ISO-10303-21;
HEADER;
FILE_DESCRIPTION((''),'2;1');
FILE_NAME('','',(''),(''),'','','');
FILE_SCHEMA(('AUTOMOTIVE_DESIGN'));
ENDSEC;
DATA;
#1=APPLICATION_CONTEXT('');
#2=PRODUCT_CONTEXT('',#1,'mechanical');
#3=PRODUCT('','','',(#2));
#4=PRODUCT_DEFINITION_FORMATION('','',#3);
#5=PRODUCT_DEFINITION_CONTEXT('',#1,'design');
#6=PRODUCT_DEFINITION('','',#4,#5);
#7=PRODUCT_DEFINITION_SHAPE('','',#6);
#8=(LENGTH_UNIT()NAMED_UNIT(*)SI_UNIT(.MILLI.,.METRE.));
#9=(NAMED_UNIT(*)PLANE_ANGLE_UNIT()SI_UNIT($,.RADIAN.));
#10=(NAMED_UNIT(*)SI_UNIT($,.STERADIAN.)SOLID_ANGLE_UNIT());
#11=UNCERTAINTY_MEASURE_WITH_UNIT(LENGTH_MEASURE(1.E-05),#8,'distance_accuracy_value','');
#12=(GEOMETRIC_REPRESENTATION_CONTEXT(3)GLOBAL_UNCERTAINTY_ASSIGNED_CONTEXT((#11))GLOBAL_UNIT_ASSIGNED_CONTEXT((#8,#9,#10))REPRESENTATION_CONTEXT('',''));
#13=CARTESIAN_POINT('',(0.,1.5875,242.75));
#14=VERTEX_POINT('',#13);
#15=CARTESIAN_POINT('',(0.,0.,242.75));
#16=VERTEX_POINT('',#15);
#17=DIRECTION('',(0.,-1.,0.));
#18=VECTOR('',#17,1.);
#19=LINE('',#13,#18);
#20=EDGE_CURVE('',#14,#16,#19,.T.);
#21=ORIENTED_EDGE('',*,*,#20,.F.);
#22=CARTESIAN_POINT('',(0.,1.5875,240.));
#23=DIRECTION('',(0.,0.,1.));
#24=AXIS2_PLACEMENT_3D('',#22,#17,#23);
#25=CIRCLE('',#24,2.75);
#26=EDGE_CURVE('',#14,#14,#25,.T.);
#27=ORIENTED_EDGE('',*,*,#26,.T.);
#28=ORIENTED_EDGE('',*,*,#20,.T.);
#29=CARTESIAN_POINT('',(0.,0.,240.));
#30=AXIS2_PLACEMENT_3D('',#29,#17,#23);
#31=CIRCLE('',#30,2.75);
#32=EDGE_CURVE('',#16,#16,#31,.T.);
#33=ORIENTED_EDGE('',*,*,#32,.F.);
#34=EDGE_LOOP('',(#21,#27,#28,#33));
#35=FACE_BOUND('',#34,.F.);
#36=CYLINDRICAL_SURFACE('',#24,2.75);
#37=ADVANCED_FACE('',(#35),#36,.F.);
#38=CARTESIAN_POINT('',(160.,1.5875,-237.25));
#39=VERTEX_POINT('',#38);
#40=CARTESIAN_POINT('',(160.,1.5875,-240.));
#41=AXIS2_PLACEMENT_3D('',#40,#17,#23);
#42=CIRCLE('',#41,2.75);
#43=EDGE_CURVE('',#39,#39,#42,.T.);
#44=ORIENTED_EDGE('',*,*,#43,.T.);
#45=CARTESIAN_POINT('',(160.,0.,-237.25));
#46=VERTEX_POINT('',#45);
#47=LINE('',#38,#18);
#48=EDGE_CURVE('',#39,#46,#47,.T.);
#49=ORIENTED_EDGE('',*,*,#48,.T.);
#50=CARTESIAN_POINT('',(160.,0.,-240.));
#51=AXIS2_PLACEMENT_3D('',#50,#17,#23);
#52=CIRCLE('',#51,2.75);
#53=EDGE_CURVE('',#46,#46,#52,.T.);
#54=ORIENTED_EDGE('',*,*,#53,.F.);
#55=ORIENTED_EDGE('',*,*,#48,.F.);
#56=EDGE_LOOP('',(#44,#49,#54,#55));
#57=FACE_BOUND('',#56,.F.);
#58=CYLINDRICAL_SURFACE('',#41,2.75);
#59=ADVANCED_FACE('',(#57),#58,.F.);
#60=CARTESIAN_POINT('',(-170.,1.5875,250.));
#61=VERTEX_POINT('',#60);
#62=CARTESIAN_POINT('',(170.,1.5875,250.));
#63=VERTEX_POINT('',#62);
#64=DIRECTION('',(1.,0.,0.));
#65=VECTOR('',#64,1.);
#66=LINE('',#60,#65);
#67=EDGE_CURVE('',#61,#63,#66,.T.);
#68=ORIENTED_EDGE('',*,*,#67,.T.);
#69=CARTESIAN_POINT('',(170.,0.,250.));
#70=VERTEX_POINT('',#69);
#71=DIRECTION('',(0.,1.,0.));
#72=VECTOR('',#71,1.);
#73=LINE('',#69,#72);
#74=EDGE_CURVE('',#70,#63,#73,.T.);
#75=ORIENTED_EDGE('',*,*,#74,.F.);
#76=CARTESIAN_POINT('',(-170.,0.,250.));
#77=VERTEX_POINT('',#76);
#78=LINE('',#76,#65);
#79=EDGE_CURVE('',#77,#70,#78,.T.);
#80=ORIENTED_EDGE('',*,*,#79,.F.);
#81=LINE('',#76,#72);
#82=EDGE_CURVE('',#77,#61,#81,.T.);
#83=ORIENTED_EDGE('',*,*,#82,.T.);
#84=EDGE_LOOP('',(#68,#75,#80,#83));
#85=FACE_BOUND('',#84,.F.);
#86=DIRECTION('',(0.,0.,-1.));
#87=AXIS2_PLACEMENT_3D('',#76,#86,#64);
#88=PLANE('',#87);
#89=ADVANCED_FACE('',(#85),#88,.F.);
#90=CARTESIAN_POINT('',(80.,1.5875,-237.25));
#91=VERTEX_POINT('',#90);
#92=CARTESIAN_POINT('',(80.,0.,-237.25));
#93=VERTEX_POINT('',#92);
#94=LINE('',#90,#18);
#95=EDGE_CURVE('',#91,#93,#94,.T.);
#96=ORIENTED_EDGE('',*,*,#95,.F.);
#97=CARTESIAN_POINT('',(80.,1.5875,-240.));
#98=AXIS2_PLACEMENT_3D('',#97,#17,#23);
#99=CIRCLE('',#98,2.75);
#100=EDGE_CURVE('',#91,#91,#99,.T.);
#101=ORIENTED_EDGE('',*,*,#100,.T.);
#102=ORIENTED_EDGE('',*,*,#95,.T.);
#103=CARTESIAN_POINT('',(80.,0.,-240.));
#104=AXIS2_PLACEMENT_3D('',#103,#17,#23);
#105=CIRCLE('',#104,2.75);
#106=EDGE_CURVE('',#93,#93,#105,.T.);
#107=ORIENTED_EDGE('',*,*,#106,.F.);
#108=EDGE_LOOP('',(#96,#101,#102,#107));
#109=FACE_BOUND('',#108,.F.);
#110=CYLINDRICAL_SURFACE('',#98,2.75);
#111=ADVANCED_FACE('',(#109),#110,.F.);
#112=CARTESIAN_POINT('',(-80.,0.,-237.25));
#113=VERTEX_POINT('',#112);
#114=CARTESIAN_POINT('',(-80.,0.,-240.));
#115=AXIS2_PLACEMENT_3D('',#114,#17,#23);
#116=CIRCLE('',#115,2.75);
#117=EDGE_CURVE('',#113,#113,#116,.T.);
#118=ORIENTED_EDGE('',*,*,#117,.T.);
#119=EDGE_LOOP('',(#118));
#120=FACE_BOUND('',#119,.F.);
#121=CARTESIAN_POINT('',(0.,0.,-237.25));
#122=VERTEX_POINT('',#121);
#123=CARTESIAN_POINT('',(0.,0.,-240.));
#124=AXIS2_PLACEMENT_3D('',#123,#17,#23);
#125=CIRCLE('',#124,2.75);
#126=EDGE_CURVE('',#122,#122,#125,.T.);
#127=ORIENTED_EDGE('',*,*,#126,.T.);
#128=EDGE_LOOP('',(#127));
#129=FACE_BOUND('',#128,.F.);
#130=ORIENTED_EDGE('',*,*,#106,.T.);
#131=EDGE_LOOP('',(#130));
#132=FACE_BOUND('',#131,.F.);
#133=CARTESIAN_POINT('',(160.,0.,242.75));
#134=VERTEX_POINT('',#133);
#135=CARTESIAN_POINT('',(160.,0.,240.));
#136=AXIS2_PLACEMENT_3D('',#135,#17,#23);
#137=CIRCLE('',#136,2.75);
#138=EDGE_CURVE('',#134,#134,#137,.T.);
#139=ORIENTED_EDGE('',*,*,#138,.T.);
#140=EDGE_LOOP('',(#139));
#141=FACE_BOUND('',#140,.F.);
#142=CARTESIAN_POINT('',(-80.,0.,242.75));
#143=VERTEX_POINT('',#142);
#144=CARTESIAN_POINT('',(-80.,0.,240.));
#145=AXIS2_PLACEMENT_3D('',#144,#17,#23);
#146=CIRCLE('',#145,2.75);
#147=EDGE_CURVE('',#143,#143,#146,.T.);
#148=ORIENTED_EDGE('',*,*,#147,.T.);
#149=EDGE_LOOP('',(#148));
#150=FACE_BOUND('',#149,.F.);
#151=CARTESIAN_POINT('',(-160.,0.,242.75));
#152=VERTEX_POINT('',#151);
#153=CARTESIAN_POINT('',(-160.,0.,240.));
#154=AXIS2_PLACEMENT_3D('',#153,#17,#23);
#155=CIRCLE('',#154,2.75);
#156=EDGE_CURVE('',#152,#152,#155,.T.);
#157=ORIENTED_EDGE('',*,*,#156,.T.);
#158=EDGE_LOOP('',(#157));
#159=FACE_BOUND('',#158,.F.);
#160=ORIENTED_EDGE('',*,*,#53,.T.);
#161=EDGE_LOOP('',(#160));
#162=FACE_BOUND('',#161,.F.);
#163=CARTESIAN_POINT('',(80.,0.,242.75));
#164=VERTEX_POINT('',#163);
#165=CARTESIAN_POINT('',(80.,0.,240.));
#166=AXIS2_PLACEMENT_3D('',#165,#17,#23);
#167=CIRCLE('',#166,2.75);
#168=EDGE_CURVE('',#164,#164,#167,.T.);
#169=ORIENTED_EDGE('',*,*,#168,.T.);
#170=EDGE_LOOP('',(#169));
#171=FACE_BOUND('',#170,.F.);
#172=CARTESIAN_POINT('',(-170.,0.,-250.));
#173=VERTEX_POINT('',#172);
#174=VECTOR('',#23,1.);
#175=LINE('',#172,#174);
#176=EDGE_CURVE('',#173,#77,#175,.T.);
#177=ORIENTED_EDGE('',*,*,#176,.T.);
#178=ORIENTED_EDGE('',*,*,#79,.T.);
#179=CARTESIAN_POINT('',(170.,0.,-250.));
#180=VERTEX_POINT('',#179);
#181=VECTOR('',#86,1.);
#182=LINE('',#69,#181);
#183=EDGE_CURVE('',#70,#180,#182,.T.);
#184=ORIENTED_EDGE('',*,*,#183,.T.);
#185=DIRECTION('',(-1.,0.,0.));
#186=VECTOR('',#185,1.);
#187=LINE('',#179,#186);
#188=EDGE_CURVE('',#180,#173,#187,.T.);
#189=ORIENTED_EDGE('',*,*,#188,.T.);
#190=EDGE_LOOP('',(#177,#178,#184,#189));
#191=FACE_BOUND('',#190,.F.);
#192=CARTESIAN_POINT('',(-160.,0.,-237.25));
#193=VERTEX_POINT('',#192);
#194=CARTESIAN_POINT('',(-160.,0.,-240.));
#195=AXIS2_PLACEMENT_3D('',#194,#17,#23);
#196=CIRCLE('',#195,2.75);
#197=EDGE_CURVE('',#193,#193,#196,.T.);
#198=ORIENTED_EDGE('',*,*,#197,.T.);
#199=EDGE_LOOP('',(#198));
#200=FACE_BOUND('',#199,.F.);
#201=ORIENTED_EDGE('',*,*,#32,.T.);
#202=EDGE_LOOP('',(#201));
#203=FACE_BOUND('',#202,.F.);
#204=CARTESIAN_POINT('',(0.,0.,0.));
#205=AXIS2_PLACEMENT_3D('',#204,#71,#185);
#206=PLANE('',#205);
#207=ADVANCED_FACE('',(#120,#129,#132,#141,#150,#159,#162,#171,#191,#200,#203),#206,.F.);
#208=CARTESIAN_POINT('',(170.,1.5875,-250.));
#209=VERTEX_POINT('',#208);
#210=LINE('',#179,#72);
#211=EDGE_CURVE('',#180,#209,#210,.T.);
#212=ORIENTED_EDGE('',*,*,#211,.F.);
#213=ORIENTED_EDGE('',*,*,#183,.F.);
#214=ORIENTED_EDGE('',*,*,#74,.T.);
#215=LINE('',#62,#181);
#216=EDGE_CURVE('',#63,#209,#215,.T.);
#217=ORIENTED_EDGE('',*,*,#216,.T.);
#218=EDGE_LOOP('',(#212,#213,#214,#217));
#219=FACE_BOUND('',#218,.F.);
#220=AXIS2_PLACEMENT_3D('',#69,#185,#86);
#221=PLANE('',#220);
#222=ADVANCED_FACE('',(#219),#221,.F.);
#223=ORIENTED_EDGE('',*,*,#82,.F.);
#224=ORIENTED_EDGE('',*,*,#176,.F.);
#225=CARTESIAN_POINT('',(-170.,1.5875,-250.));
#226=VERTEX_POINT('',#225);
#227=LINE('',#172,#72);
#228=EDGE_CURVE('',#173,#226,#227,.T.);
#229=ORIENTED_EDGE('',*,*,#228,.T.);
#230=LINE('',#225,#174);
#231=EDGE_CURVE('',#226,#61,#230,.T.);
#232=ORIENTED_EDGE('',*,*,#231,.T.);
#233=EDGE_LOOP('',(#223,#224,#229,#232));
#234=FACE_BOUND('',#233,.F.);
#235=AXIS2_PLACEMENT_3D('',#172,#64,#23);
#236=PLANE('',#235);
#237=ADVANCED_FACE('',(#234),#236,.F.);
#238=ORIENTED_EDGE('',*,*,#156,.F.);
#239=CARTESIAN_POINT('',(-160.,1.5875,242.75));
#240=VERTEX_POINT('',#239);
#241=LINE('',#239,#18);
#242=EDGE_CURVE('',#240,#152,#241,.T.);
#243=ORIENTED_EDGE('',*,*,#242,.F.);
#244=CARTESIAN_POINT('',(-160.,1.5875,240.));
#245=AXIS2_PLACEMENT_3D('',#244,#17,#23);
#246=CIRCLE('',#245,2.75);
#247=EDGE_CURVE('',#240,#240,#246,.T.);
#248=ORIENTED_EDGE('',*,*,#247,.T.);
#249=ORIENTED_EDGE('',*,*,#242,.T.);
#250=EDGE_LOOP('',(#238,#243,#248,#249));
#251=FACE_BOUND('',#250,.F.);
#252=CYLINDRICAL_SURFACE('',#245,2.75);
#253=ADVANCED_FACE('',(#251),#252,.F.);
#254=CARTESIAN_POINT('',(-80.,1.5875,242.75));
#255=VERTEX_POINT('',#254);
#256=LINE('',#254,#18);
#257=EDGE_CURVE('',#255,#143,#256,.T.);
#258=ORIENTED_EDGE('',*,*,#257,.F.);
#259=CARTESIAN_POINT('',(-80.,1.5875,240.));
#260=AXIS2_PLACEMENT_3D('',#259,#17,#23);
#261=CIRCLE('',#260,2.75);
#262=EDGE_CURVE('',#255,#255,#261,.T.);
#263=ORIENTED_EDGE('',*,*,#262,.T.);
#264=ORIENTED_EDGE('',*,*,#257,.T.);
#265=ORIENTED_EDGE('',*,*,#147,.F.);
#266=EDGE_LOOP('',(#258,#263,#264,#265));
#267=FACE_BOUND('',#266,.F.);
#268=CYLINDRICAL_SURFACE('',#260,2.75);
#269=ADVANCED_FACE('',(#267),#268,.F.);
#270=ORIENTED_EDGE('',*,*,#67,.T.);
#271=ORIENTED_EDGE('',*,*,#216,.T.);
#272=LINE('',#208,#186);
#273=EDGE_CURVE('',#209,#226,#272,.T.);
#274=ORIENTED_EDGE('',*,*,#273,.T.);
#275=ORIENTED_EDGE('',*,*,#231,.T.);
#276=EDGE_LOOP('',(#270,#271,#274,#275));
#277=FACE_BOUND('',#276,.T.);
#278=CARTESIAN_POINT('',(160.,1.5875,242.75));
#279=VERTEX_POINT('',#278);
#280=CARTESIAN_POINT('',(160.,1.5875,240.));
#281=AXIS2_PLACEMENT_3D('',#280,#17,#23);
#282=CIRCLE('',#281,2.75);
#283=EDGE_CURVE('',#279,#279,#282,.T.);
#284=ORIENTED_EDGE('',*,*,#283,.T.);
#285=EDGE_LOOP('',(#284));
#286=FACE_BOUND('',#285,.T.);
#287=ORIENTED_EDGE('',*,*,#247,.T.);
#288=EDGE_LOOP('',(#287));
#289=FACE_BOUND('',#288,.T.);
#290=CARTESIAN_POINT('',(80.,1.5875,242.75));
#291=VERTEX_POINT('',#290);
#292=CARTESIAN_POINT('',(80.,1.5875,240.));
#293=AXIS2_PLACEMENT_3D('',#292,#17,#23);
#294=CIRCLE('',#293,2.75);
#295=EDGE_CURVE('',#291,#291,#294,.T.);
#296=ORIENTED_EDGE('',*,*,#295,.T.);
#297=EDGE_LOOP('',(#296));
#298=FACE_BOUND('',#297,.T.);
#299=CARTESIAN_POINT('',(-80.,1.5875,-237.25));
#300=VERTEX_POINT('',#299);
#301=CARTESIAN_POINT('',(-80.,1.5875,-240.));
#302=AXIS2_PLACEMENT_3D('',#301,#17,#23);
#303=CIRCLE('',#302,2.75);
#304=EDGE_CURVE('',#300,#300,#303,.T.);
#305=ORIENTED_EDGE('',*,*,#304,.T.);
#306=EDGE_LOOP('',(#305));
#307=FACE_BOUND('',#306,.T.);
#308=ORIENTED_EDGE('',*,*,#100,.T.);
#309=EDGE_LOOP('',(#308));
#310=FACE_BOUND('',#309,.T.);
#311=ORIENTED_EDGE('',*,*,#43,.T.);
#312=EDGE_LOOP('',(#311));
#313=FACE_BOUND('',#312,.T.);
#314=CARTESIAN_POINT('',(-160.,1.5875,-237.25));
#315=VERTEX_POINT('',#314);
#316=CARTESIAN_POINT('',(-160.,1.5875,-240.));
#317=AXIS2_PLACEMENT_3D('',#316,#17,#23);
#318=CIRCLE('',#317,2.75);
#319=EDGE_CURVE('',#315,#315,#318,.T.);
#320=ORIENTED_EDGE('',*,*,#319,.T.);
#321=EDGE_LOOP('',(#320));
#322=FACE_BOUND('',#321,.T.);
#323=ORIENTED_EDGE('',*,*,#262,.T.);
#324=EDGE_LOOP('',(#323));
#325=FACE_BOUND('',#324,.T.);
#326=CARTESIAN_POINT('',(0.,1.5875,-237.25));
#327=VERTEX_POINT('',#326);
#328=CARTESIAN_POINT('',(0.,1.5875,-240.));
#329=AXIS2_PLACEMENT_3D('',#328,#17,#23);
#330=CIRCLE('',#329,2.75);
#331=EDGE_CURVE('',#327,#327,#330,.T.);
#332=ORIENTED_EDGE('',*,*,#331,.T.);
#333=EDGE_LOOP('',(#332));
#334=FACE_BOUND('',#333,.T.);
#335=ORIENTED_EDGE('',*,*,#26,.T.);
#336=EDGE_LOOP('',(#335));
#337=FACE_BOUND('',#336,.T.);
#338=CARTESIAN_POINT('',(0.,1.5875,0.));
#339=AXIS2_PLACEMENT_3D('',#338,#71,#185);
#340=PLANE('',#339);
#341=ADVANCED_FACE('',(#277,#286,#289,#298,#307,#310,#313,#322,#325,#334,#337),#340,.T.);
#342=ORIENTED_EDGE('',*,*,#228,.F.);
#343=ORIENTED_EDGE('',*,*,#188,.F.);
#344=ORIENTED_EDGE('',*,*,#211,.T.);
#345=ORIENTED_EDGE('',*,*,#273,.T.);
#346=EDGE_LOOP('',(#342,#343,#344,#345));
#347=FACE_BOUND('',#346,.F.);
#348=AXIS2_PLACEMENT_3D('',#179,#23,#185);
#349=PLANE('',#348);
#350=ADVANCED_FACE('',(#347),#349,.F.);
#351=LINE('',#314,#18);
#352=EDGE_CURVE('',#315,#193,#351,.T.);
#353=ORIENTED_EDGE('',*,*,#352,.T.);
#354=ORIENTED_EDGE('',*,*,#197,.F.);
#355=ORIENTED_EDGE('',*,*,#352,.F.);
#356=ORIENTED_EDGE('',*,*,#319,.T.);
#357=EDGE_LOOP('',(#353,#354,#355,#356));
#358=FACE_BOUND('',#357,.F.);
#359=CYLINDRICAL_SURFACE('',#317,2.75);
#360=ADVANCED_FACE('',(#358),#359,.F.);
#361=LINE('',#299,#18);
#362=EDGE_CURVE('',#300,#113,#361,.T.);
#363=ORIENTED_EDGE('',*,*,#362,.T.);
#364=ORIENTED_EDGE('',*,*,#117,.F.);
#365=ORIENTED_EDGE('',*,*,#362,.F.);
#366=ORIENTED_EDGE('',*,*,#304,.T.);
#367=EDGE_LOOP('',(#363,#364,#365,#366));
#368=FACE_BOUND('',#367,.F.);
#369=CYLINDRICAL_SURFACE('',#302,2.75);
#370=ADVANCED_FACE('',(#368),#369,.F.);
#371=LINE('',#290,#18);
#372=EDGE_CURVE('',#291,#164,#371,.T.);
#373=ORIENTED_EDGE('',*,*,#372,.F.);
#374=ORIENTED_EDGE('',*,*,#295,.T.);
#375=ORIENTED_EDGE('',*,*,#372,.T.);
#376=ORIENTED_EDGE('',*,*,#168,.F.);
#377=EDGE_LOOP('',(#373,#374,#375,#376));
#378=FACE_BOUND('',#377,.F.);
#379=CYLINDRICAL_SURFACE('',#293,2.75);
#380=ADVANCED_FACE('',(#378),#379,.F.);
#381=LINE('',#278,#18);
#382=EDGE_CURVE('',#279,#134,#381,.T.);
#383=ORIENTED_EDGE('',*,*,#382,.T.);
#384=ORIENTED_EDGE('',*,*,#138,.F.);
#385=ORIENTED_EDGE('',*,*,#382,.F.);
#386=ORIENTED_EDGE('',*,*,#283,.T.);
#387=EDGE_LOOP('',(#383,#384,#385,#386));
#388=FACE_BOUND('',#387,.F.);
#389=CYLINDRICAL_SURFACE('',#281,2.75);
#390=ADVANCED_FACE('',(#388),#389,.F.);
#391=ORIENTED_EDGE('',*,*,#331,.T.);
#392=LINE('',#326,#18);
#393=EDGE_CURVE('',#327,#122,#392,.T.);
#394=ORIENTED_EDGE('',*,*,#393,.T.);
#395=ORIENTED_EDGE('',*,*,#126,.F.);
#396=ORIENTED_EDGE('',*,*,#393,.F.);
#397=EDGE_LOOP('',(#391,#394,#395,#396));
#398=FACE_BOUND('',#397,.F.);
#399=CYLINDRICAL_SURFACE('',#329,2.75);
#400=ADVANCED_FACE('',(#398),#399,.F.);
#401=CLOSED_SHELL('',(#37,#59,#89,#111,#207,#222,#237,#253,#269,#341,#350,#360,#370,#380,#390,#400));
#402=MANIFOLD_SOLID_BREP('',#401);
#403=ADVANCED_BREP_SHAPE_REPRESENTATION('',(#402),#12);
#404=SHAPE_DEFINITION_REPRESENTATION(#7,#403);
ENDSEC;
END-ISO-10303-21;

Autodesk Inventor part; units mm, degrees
ref_plane "YZ Plane" through (0, 0, 0) normal (1, 0, 0) x (0, 1, 0)
ref_plane "XZ Plane" through (0, 0, 0) normal (0, 1, 0) x (-1, 0, 0)
ref_plane "XY Plane" through (0, 0, 0) normal (0, 0, 1) x (1, 0, 0)
sketch "Sketch1" plane through (0, 0, 0) normal (0, 1, 0) x (-1, 0, 0)
  line L0 (170, 250) -> (-170, 250)
  line L1 (-170, 250) -> (-170, -250)
  line L2 (-170, -250) -> (170, -250)
  line L3 (170, -250) -> (170, 250)
  line L4 (170, 250) -> (-170, -250) construction
  line L5 (-170, 250) -> (170, -250) construction
  point P0 (0, 0)
  dimension "d0" = 340
  dimension "d1" = 500
extrude "Extrusion1" add sketch "Sketch1" along normal blind 1.5875
sketch "Sketch2" plane through (0, 1.5875, 0) normal (0, 1, 0) x (1, 0, 0)
  line L0 (-170, -250) -> (170, -250) projected
  line L1 (170, -250) -> (170, 250) projected
  line L2 (170, 250) -> (-170, 250) projected
  line L3 (-170, 250) -> (-170, -250) projected
  point P0 (0, 0)
  point P1 (-160, -240)
  dimension "d4" = 10
  dimension "d5" = 10
hole "Hole1" at (-160, 1.5875, 240) direction (0, -1, 0) diameter 5.5 end through all clearance for "Hex Head Bolt" size "M5" standard "Ansi Metric M Profile"
pattern_linear "Rectangular Pattern1" count 2 spacing 480 along (0, 0, -1) count 5 spacing 80 along (1, 0, 0) of "Hole1"
equation "\"d1\" = depth"
equation "\"d2\" = facingGasketThickness"
equation "\"depth\" = 500"
equation "\"facingThickness\" = 12.7"
equation "\"facingGasketThickness\" = 1.5875"
properties part number "sideGasket" material "Rubber"
